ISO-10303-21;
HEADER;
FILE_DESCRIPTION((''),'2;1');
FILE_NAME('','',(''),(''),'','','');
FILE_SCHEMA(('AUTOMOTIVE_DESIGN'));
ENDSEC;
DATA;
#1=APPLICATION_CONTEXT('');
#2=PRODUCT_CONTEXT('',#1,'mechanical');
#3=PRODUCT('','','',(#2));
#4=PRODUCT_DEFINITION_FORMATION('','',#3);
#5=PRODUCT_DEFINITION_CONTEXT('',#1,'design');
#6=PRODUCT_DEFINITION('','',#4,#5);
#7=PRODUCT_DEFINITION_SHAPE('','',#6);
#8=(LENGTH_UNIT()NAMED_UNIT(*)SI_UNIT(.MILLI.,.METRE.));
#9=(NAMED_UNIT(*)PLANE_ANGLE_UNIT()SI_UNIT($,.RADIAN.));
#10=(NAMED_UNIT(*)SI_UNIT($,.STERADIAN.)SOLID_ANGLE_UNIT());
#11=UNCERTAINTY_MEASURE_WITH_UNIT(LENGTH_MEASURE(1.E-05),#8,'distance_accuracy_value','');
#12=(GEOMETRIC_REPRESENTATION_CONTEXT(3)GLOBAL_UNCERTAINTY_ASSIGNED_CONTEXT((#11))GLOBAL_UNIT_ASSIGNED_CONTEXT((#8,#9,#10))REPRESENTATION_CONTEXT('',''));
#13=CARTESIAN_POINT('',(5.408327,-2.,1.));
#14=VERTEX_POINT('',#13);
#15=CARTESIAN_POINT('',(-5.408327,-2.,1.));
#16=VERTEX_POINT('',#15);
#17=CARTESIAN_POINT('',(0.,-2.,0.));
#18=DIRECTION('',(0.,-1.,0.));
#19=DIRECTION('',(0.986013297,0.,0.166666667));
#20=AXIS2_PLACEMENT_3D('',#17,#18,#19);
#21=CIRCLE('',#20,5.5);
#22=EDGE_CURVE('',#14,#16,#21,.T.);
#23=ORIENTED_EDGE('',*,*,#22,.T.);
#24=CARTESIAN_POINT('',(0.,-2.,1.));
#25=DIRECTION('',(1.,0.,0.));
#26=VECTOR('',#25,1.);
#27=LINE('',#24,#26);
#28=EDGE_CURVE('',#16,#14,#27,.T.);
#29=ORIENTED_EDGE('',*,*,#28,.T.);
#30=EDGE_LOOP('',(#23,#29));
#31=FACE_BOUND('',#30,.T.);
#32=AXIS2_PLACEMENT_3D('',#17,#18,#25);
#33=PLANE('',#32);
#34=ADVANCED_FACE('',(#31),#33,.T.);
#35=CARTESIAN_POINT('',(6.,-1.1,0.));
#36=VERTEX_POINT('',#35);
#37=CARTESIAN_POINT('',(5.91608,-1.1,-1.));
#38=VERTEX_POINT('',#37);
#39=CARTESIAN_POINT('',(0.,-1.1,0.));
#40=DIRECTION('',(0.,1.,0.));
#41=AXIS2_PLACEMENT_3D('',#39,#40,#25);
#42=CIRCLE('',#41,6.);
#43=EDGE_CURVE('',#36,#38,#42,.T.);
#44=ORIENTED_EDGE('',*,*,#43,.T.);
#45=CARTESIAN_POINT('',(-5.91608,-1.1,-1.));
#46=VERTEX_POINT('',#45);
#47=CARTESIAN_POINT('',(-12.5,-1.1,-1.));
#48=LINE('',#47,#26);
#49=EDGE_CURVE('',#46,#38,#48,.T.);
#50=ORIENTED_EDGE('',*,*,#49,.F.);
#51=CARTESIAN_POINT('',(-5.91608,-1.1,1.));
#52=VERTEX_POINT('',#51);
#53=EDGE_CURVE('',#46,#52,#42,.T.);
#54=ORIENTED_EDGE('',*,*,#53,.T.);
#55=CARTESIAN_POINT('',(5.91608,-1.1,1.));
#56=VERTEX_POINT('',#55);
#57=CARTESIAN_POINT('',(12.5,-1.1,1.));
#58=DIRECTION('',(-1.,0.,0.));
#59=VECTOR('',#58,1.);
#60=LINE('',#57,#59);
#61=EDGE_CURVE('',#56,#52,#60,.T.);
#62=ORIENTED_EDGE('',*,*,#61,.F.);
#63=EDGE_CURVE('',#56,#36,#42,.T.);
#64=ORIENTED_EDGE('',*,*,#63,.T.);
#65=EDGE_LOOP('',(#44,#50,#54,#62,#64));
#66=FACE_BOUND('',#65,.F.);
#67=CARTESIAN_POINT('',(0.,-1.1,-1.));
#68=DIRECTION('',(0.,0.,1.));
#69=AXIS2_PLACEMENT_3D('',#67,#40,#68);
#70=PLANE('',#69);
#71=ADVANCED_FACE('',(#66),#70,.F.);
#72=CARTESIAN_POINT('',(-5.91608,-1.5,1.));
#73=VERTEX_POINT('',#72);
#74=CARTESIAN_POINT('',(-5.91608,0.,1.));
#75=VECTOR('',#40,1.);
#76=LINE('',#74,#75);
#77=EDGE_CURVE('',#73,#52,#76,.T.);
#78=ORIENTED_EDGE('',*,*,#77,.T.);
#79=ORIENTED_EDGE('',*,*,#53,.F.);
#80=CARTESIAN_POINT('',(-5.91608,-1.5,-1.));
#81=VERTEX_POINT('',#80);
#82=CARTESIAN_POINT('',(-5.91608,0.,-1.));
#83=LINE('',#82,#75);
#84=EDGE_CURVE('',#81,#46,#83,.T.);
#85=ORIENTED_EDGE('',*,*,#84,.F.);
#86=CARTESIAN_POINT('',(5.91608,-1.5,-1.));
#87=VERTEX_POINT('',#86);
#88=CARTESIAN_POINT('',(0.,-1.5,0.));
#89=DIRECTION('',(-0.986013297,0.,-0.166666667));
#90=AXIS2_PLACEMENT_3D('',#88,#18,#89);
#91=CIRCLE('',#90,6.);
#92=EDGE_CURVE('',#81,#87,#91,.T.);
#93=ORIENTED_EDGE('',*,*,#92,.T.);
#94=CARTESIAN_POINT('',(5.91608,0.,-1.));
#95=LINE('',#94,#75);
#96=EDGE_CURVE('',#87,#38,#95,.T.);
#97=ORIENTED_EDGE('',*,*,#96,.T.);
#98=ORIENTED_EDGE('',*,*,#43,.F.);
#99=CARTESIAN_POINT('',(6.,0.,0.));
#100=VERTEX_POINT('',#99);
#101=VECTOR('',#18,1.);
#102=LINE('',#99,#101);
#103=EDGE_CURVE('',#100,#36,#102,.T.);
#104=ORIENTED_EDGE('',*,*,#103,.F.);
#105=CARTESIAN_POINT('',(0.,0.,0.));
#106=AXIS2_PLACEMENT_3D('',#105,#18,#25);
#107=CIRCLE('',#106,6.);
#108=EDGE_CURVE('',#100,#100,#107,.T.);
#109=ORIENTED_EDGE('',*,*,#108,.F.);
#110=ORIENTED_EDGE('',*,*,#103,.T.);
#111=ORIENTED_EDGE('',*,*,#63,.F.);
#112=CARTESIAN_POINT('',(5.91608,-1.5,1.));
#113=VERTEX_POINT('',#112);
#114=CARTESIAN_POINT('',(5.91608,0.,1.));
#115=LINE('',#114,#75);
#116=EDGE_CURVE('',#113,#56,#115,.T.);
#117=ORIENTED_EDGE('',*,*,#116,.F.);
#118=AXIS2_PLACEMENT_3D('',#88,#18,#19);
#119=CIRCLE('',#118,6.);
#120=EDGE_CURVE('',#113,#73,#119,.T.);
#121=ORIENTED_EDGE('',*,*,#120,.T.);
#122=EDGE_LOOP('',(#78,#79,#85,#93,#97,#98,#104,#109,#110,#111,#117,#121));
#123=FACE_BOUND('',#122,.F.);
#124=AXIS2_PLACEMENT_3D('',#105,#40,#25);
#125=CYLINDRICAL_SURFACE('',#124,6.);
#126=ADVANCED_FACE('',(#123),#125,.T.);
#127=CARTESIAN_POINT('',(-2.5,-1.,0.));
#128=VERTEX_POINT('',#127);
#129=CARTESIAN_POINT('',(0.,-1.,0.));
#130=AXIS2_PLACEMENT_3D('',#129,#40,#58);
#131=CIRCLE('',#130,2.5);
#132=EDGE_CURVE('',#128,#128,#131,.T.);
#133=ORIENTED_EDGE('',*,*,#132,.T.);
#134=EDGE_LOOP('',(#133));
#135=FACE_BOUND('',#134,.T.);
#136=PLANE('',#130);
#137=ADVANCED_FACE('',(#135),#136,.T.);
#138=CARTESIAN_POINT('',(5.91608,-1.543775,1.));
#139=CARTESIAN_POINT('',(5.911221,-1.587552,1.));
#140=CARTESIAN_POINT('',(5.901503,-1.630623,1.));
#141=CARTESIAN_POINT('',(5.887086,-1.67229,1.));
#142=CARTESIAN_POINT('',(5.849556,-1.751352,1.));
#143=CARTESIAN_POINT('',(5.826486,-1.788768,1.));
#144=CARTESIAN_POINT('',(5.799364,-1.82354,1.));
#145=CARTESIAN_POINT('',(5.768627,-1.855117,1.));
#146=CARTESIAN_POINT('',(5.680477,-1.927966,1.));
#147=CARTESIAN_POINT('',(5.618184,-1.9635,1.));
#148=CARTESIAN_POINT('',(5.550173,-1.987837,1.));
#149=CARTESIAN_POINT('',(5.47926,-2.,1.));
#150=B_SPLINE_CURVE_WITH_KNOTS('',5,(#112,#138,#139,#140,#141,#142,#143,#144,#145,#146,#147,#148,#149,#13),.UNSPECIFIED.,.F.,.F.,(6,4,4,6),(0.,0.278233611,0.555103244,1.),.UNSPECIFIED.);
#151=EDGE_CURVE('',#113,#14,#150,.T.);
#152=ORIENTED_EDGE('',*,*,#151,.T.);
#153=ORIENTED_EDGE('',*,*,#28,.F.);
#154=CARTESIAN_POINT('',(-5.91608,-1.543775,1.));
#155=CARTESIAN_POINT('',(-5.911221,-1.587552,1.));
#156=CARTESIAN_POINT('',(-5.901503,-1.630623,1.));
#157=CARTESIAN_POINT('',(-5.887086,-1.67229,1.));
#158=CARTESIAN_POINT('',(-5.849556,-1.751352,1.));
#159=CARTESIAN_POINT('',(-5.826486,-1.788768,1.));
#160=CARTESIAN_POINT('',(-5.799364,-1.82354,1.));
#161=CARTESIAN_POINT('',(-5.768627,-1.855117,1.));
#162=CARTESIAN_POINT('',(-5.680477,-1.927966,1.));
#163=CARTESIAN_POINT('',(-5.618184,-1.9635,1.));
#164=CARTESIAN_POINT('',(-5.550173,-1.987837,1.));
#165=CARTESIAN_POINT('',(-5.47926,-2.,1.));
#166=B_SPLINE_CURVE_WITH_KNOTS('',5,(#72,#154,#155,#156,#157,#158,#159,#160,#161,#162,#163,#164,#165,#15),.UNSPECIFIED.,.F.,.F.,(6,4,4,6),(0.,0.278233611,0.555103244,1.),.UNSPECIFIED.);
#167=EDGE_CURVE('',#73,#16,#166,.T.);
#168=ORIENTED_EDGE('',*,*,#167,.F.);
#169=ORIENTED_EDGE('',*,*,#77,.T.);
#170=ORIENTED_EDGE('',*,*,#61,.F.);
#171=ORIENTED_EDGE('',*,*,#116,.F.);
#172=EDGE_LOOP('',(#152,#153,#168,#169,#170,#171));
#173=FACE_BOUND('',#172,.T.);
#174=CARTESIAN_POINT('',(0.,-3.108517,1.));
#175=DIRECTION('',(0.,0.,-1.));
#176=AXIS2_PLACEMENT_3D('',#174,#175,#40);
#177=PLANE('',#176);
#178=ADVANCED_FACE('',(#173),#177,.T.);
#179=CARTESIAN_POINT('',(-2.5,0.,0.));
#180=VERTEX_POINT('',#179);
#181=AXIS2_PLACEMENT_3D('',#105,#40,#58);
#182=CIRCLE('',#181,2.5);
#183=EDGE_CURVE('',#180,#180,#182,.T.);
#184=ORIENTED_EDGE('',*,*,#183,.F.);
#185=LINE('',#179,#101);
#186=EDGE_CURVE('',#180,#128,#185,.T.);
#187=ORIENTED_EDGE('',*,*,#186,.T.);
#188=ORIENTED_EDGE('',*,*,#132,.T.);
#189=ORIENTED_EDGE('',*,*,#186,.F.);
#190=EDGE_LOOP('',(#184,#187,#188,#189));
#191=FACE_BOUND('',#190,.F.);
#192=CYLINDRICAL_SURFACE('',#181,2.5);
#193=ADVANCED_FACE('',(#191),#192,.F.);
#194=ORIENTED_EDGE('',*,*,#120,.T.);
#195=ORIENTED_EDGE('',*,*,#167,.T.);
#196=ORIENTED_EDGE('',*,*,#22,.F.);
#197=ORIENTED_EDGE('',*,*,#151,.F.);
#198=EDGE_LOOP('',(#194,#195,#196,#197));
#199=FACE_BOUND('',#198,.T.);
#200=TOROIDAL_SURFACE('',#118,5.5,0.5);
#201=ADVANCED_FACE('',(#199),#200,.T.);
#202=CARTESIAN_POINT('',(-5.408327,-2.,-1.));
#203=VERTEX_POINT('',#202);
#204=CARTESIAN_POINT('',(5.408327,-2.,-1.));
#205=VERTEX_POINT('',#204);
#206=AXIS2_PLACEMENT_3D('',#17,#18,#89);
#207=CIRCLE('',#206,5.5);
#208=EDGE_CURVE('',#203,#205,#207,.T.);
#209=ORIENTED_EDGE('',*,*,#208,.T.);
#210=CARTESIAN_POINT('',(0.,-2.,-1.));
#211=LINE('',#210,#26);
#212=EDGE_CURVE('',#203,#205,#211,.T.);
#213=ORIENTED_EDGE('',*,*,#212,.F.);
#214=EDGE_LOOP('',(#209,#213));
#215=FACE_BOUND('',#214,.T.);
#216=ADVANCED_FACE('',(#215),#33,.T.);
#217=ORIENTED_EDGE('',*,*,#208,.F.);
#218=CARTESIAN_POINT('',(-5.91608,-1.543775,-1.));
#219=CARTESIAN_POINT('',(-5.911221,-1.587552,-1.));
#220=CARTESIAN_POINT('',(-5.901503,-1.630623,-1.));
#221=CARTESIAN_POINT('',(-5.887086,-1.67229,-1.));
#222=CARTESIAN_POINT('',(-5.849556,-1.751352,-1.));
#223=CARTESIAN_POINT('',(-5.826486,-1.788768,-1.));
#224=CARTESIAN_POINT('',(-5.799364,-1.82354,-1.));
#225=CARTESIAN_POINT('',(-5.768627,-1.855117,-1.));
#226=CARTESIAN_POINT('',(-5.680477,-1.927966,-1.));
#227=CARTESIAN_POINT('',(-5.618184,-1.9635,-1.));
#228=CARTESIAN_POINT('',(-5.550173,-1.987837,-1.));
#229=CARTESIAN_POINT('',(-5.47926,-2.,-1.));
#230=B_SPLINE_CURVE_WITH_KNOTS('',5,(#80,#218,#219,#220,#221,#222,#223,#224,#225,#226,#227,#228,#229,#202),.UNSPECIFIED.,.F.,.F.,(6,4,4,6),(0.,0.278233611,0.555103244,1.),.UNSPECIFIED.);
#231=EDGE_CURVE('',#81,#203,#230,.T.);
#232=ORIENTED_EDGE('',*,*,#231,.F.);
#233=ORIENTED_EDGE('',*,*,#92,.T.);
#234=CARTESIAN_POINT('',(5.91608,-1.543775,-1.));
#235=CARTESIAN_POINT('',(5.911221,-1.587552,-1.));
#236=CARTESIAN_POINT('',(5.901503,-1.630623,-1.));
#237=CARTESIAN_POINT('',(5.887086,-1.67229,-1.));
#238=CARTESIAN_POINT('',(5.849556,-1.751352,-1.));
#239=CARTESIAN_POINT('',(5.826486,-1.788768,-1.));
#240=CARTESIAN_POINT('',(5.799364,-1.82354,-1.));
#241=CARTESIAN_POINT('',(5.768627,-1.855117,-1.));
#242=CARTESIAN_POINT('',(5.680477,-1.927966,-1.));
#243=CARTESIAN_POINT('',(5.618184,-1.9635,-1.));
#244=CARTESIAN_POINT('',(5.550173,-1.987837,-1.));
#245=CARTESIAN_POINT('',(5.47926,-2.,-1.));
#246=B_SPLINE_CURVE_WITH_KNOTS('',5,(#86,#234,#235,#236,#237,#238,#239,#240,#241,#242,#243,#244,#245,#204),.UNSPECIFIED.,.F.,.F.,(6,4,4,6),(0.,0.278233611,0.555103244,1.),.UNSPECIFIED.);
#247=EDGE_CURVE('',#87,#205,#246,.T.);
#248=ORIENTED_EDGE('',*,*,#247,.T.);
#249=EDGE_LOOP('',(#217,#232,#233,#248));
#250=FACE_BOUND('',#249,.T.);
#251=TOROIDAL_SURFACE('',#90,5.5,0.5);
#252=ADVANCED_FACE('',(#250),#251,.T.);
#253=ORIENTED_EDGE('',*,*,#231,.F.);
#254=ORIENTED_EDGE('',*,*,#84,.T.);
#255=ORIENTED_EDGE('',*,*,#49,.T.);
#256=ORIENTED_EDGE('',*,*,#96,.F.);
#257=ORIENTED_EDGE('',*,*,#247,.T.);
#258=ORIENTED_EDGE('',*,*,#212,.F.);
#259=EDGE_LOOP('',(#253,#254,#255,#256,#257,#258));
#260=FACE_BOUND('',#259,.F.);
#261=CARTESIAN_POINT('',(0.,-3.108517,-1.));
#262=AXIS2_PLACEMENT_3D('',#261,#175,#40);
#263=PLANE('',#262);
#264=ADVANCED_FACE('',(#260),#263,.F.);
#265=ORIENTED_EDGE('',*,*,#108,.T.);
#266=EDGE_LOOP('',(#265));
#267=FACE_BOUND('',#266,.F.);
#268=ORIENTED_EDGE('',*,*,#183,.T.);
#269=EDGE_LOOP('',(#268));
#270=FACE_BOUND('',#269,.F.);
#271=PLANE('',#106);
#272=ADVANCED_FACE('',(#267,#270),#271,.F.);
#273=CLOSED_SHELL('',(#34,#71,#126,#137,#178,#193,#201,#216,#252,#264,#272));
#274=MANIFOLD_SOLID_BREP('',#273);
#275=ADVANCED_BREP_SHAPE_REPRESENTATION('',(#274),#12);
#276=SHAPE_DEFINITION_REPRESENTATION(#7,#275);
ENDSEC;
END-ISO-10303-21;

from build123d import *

# Parameters (mm, degrees)
F0_R     = 6
F1_DEPTH = 2
F2_R     = 2.5
F3_DEPTH = 1
F4_W     = 2.0085166757
F4_H     = 2
F5_DEPTH = 12.5
F6_R     = 0.5


with BuildPart() as f1:
    # F0 (on Front) → F1 (new body)
    with BuildSketch(Plane.XZ):
        Circle(F0_R)
    extrude(amount=F1_DEPTH)

    # F2 (on face) → F3 (cut)
    with BuildSketch(Plane(origin=(0, 0, 0), x_dir=(-1, 0, 0), z_dir=(0, 1, 0))):
        Circle(F2_R)
    extrude(amount=-F3_DEPTH, mode=Mode.SUBTRACT)

    # F4 (on Right) → F5 (cut, symmetric)
    with BuildSketch(Plane.YZ):
        with Locations((-2.1042583379, 0)):
            Rectangle(F4_W, F4_H)
    extrude(amount=F5_DEPTH, both=True, mode=Mode.SUBTRACT)

    # F6
    f6_edges = [f1.edges().sort_by_distance(p)[0] for p in [
        (0, -2, -6),
        (0, -2, 6),
    ]]
    fillet(f6_edges, radius=F6_R)


solid = f1.part
